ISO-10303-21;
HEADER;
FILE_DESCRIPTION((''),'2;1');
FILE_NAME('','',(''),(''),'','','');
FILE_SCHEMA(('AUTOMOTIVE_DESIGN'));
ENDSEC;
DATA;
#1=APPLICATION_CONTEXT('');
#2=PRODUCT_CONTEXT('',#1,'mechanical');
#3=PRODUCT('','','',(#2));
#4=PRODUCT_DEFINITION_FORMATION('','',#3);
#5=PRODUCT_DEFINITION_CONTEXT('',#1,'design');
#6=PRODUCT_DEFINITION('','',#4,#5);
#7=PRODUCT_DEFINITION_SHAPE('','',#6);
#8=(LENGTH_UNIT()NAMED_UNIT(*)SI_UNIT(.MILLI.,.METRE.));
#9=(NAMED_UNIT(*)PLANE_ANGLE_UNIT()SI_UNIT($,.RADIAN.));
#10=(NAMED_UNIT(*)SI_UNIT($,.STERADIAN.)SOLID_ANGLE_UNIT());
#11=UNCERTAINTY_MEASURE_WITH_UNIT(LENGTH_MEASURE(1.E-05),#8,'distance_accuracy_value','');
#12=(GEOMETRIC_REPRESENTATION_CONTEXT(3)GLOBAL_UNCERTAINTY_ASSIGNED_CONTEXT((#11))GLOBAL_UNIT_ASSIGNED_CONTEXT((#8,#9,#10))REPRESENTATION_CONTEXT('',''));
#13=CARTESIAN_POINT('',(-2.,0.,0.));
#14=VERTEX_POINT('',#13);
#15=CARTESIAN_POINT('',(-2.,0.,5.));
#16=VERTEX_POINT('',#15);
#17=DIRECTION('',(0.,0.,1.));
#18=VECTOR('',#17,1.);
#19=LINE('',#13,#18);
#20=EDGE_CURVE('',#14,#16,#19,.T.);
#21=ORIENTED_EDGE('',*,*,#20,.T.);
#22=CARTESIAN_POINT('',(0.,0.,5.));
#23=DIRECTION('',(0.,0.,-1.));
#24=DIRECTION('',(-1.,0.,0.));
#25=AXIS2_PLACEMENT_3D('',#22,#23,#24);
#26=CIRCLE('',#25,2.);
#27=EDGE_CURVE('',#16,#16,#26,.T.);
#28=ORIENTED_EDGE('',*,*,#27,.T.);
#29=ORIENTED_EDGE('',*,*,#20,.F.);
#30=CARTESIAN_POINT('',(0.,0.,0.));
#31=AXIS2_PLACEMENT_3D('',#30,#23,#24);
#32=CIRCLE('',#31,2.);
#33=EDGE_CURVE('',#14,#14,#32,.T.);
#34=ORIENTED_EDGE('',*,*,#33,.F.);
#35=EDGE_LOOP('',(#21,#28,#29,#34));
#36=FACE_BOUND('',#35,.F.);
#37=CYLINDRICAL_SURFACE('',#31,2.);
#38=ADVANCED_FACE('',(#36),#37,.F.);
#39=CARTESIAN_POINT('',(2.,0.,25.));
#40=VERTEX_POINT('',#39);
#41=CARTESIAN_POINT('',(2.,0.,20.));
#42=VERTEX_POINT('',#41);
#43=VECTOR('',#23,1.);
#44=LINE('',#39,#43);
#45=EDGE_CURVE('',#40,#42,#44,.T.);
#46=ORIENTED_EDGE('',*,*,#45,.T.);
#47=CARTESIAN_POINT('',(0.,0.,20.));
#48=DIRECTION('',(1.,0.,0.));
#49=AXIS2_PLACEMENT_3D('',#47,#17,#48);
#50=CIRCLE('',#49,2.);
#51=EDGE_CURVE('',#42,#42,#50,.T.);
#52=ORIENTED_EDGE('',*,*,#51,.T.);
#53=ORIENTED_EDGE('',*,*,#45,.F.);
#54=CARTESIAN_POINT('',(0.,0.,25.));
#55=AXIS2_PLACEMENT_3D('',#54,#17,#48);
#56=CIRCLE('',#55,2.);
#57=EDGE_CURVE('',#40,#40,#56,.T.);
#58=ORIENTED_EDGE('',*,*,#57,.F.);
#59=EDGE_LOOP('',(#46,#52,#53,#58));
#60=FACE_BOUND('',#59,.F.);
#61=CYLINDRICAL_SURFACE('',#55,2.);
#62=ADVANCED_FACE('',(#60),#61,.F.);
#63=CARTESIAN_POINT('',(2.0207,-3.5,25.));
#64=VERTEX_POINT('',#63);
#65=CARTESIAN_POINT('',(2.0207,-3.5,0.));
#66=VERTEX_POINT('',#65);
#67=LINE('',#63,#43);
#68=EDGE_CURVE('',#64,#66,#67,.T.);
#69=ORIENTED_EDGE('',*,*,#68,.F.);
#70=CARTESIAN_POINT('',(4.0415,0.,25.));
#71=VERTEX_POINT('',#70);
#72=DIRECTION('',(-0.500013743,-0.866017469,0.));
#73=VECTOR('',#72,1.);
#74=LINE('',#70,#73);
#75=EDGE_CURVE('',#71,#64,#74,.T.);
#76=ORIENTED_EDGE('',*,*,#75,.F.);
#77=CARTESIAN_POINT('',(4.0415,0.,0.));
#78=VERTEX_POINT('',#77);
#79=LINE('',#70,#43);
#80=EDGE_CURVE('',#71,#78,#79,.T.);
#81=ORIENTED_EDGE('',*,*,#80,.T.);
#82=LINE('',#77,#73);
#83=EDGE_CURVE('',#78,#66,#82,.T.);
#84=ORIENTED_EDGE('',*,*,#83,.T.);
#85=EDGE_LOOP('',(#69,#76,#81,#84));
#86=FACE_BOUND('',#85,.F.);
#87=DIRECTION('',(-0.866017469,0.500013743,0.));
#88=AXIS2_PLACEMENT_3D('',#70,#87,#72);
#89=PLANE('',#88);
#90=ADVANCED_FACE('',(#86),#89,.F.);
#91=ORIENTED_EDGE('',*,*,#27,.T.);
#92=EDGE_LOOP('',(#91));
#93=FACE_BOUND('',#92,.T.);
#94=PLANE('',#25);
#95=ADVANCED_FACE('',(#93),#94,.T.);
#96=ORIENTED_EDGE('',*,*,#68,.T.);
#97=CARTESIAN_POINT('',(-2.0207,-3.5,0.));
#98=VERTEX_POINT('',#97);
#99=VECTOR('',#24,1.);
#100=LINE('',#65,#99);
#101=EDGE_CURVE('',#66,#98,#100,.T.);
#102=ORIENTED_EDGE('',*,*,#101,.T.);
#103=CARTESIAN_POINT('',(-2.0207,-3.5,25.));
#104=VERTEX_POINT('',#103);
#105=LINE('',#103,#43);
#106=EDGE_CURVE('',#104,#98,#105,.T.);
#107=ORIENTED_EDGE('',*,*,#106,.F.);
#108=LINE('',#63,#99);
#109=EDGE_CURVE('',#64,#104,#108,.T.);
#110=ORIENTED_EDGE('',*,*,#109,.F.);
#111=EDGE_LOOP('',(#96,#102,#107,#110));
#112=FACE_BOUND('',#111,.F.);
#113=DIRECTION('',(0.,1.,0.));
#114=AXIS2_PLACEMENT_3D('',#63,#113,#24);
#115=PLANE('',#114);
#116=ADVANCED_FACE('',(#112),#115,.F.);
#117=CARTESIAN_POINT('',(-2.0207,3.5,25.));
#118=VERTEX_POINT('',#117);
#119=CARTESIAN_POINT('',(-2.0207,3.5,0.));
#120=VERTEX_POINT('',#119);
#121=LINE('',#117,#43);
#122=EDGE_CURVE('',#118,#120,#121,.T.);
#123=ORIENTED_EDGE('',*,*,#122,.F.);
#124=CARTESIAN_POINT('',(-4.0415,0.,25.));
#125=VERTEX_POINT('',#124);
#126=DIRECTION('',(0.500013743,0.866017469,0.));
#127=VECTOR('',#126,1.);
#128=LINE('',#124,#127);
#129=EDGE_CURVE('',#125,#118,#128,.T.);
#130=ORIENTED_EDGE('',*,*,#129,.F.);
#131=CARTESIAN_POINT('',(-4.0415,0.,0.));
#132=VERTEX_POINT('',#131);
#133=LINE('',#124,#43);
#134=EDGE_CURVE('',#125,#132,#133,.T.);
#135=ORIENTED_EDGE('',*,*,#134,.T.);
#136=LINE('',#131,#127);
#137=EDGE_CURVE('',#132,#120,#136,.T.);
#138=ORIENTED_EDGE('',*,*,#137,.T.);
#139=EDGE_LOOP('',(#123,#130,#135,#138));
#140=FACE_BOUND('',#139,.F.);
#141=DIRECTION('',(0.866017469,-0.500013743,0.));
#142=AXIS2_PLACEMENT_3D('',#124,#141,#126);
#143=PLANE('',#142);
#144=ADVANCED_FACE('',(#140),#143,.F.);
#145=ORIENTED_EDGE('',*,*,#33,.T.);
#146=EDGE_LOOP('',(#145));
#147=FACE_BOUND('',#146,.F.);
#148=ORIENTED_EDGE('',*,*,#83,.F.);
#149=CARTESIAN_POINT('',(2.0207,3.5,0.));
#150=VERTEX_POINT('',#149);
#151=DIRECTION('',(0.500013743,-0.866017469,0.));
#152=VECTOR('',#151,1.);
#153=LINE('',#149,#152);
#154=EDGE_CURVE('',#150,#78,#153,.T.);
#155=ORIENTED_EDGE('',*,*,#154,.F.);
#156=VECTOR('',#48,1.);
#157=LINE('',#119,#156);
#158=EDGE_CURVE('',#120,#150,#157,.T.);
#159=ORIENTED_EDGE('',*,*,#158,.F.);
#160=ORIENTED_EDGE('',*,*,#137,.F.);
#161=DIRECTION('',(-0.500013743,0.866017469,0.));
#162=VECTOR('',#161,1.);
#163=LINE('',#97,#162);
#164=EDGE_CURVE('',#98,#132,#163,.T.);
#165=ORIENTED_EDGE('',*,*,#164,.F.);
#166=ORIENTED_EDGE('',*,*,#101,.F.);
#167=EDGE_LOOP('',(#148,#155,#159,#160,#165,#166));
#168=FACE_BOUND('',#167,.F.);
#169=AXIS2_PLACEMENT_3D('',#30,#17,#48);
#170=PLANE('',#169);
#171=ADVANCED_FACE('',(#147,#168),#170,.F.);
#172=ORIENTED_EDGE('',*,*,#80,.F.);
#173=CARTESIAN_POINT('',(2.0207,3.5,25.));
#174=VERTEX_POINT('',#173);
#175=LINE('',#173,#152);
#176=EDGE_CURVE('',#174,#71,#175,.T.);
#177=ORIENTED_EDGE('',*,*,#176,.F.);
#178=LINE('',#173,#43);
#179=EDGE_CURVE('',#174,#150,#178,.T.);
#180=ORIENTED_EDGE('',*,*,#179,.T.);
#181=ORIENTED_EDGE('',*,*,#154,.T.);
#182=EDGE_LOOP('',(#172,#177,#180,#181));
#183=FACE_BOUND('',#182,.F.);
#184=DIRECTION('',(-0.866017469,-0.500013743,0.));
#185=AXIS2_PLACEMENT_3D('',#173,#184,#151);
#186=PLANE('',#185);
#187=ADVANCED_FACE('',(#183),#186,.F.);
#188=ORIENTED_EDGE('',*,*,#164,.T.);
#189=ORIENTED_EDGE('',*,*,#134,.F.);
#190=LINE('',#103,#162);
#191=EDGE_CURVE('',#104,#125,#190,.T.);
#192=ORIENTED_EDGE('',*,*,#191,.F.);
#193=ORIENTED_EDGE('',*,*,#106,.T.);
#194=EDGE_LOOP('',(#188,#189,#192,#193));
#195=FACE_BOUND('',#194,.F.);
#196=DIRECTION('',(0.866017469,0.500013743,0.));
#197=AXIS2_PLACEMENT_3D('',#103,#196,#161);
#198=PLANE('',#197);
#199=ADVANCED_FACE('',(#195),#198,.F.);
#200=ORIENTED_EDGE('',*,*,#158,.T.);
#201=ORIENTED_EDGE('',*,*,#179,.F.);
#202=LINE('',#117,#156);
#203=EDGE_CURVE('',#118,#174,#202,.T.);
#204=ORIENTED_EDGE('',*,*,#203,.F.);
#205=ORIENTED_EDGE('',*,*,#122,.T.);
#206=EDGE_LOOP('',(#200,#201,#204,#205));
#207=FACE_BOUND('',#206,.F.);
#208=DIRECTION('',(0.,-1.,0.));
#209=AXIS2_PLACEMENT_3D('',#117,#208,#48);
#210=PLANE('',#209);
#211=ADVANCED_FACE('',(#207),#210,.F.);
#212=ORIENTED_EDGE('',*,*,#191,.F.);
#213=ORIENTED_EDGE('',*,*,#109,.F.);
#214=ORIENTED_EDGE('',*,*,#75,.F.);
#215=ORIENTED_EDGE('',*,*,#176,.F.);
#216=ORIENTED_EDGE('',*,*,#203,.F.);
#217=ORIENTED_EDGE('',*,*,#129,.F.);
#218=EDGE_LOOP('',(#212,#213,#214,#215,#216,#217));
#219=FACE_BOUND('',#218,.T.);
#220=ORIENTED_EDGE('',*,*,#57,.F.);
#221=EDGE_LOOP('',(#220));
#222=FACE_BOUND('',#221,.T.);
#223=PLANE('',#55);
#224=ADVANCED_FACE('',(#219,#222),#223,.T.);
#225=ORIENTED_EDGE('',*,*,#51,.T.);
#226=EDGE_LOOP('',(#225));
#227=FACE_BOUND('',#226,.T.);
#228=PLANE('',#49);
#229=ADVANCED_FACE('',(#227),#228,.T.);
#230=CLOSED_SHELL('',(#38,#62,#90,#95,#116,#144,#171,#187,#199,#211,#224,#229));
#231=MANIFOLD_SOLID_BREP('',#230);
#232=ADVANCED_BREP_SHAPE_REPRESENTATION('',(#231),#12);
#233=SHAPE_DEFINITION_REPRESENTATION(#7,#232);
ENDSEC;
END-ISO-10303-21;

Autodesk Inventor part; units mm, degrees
ref_plane "YZ Plane" through (0, 0, 0) normal (1, 0, 0) x (0, 1, 0)
ref_plane "XZ Plane" through (0, 0, 0) normal (0, 1, 0) x (-1, 0, 0)
ref_plane "XY Plane" through (0, 0, 0) normal (0, 0, 1) x (1, 0, 0)
sketch "Sketch1" plane through (0, 0, 0) normal (0, 0, 1) x (1, 0, 0)
  circle A0 centre (0, 0) radius 4.5
  dimension "d0" = 9
extrude "Extrusion1" add sketch "Sketch1" along normal blind 25
sketch "Sketch2" plane through (0, 0, 25) normal (0, 0, 1) x (1, 0, 0)
  circle A0 centre (0, 0) radius 2
  dimension "d3" = 4
extrude "Extrusion2" cut sketch "Sketch2" against normal blind 5
sketch "Sketch3" plane through (0, 0, 0) normal (0, 0, -1) x (-1, 0, 0)
  circle A0 centre (0, 0) radius 2
  dimension "d6" = 4
extrude "Extrusion3" cut sketch "Sketch3" against normal blind 5
sketch "Sketch4" plane through (0, 0, 25) normal (0, 0, 1) x (1, 0, 0)
  line L0 (2.0207, 3.5) -> (4.0415, 0)
  line L1 (4.0415, 0) -> (2.0207, -3.5)
  line L2 (2.0207, -3.5) -> (-2.0207, -3.5)
  line L3 (-2.0207, -3.5) -> (-4.0415, 0)
  line L4 (-4.0415, 0) -> (-2.0207, 3.5)
  line L5 (-2.0207, 3.5) -> (2.0207, 3.5)
  circle A0 centre (0, 0) radius 4.5 projected
  dimension "d9" = 7
extrude "Extrusion4" cut sketch "Sketch4" against normal up to surface (25 mm away)
properties part number "CapacitorBankStandoff"
